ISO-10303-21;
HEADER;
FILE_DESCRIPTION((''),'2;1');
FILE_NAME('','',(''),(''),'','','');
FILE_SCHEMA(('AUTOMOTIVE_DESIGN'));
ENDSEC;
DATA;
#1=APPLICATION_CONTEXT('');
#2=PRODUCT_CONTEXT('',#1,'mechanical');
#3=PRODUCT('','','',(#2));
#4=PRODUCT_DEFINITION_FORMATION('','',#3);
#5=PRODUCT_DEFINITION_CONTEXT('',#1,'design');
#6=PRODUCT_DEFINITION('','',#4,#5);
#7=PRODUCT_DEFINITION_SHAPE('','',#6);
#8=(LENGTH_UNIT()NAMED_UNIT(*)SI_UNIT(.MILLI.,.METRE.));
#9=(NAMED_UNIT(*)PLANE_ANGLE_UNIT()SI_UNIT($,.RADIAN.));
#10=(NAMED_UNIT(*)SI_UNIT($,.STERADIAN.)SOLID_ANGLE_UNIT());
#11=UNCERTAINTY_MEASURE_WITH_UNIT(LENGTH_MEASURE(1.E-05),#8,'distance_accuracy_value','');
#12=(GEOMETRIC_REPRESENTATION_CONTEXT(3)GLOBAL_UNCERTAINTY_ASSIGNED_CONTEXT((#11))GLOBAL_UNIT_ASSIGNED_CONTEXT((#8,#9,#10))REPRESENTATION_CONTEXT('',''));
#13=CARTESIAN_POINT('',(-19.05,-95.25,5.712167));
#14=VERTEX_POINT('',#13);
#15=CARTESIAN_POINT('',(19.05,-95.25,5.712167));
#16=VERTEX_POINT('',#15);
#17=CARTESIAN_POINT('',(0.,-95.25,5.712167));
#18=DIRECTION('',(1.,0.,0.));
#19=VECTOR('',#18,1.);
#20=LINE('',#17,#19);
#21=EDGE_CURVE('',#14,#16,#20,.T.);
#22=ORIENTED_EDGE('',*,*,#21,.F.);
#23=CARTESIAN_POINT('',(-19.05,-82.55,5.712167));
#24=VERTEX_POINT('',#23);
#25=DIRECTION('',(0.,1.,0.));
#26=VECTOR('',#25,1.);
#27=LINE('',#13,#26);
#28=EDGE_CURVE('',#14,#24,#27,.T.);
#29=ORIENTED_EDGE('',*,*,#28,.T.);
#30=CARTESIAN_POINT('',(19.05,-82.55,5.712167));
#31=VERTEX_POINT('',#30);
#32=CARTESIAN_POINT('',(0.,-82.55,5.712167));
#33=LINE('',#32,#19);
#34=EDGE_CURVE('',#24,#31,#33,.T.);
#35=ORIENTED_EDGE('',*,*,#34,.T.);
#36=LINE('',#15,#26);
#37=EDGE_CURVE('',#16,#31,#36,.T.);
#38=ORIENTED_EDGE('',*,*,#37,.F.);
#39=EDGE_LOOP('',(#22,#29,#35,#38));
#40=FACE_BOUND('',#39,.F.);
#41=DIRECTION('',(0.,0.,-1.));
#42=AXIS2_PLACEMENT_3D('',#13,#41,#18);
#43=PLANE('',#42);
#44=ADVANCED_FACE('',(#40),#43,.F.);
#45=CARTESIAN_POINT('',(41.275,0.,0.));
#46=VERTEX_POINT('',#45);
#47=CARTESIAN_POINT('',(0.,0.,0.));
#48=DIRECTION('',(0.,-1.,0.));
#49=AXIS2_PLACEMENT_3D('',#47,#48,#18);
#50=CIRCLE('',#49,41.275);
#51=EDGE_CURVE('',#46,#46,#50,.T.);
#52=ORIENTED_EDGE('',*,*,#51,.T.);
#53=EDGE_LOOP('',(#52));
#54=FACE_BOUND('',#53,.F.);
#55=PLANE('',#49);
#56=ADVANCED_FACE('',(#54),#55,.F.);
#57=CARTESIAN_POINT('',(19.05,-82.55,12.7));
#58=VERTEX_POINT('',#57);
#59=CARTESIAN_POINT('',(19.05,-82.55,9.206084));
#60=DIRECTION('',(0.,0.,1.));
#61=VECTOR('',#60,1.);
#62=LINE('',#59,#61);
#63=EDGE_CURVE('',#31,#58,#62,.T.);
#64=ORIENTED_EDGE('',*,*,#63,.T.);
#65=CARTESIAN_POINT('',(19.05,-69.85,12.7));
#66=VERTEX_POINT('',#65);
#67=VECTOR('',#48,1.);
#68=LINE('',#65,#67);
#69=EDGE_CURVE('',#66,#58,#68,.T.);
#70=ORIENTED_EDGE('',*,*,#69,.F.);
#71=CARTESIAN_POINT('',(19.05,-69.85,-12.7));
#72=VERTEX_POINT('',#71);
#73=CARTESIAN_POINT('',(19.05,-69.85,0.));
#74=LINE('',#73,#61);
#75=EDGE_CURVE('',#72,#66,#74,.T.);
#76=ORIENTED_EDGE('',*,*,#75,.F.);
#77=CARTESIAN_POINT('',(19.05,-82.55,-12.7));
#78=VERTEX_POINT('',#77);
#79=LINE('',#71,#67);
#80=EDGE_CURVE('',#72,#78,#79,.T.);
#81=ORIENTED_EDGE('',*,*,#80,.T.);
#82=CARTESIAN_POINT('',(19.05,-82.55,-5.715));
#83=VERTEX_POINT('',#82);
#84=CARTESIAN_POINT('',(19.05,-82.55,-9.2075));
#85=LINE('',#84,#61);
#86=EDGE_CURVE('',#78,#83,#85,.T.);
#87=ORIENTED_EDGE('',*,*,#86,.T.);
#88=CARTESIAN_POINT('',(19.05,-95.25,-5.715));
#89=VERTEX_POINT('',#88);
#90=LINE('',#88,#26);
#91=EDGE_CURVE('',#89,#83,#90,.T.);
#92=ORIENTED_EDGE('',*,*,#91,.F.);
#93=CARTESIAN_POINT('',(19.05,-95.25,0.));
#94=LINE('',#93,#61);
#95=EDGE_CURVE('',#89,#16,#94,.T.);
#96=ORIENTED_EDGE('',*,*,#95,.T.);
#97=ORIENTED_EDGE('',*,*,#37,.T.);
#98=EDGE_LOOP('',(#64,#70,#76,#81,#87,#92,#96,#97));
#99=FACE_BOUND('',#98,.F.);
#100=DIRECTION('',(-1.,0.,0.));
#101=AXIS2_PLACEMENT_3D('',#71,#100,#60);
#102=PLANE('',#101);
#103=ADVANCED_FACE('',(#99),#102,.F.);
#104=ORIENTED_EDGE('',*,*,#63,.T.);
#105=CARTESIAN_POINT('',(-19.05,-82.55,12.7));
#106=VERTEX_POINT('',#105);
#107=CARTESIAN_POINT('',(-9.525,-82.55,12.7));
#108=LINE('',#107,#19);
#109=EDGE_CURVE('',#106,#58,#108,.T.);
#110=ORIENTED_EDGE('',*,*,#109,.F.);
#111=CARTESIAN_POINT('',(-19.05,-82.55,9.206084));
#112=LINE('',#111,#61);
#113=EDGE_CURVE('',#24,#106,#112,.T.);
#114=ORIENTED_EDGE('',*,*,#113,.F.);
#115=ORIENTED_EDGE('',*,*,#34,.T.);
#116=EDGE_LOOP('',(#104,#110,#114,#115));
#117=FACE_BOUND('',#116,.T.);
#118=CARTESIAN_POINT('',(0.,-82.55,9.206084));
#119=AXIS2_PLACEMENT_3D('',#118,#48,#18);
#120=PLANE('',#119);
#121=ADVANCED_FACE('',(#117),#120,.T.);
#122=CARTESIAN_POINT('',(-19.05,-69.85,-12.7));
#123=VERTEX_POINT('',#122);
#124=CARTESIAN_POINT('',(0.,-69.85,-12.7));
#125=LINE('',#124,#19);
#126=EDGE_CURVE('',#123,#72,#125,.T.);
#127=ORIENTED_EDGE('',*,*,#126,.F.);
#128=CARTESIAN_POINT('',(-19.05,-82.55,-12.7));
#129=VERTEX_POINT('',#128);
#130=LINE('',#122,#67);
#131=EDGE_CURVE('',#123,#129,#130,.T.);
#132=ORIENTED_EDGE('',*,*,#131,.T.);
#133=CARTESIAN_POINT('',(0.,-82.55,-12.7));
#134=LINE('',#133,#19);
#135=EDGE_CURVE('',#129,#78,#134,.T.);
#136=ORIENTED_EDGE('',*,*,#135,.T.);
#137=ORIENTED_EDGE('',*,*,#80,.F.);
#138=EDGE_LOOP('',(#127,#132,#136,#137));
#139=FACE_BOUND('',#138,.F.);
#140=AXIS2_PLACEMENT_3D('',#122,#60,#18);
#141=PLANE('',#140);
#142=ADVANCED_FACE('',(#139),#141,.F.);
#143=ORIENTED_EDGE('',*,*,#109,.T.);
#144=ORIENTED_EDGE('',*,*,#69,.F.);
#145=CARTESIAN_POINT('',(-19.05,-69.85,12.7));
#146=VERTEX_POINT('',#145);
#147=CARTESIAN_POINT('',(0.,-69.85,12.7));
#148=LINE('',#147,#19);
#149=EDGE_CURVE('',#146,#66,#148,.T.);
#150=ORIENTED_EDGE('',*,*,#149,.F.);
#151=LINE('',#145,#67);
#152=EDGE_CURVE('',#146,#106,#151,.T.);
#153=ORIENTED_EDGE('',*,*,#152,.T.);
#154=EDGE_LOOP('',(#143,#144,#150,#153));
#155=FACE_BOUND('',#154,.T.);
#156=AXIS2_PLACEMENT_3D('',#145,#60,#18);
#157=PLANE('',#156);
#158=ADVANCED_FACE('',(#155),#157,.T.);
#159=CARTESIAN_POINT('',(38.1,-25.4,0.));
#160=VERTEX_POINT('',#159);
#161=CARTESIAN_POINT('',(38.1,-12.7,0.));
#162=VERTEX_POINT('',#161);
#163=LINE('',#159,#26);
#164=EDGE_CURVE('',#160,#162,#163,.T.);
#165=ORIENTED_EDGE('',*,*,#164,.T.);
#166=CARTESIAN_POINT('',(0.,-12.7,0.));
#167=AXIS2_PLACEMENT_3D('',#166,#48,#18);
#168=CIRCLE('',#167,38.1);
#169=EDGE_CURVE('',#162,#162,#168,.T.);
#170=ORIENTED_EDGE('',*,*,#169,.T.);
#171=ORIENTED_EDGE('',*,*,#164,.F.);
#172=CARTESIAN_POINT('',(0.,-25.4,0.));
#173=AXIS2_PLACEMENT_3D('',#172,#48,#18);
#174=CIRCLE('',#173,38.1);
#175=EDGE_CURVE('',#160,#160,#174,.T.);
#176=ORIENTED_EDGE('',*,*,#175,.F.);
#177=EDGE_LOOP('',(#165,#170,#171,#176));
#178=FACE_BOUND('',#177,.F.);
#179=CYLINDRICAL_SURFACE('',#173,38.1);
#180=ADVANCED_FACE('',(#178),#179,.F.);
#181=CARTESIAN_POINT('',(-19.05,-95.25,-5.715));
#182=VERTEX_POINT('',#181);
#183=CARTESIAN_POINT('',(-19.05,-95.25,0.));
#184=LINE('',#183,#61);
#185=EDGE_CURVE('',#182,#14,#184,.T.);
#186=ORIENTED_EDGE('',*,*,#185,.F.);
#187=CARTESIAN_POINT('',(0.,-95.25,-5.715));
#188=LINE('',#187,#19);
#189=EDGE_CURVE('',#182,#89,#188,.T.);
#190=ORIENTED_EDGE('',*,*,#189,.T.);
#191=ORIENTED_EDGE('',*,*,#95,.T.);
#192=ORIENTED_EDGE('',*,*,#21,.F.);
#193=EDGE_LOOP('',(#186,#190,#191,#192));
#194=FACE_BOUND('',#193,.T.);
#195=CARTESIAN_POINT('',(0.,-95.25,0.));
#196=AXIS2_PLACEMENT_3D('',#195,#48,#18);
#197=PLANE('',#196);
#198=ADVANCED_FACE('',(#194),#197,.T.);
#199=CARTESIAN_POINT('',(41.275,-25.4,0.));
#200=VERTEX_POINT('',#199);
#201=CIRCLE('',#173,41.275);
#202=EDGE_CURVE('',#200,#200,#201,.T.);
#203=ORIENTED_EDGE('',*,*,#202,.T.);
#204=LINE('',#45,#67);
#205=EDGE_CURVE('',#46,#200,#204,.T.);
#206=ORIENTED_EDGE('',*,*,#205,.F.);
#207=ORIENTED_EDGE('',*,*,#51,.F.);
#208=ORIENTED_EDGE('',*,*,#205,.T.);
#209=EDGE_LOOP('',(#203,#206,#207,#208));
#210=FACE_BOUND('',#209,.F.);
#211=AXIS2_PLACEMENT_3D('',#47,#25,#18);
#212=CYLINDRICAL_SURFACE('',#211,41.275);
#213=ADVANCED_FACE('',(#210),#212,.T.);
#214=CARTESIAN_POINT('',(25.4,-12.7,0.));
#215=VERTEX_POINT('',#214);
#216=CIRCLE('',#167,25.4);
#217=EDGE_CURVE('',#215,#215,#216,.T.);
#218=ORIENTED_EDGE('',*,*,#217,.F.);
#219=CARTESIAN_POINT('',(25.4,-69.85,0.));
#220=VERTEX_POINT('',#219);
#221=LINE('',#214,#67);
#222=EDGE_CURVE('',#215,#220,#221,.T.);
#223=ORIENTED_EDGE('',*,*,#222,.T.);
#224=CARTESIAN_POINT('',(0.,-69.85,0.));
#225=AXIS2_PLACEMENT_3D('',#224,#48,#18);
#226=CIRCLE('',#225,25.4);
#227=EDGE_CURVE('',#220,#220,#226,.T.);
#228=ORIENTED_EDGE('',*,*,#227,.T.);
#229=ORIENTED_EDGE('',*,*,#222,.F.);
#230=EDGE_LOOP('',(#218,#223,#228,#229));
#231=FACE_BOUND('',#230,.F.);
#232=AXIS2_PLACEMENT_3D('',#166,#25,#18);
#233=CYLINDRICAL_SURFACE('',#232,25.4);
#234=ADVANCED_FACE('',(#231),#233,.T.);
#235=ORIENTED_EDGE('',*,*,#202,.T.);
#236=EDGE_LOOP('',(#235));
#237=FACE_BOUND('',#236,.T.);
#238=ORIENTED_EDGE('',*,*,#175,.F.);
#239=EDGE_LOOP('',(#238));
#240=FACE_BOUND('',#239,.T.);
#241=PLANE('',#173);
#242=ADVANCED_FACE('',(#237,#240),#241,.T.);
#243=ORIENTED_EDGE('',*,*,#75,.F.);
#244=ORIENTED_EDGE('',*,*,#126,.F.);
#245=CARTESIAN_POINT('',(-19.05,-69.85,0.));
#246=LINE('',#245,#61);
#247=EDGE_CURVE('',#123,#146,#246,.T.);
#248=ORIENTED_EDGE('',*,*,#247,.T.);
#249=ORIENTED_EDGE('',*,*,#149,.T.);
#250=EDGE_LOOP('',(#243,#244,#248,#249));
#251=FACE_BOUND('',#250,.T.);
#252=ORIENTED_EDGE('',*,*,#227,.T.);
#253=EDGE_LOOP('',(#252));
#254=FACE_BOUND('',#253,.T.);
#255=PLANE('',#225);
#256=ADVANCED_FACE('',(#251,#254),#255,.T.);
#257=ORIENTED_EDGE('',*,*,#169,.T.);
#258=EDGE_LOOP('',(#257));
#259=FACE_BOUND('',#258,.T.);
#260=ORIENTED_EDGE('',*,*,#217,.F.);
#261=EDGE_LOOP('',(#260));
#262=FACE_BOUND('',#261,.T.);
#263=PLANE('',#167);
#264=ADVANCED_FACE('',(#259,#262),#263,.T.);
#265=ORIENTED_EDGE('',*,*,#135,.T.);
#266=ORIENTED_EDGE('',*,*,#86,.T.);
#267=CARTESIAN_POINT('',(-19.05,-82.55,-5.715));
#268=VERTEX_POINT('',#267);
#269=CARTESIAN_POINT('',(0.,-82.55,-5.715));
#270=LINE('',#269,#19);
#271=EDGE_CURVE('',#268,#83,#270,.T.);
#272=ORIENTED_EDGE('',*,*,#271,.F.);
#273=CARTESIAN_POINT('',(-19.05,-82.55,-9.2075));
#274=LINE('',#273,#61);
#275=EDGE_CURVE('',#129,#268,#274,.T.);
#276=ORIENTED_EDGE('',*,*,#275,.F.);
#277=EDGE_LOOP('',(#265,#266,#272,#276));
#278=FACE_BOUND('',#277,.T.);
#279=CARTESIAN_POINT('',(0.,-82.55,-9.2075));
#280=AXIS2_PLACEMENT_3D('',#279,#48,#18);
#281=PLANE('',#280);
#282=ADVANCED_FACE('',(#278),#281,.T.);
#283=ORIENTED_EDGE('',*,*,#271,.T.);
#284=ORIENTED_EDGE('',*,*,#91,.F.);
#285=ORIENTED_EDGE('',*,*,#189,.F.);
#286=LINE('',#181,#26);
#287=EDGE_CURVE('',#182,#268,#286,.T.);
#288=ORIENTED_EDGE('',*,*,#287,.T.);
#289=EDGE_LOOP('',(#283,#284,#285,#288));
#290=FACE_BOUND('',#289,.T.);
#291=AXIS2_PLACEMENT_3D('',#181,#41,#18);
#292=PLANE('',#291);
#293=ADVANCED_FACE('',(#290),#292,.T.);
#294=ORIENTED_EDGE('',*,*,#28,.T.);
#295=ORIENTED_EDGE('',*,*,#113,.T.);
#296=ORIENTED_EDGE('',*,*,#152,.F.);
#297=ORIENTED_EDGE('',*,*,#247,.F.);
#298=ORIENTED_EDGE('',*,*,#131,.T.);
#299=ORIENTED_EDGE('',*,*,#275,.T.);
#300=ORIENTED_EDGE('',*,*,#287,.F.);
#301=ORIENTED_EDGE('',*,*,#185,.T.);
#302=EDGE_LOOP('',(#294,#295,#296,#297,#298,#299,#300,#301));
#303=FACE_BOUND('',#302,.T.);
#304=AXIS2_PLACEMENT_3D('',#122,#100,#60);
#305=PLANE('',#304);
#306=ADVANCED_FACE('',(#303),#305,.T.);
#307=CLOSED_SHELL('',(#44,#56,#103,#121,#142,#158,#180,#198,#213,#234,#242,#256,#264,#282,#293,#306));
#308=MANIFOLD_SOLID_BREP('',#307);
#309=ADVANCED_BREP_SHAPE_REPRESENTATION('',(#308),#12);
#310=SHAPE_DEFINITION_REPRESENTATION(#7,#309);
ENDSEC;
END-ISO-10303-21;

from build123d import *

# Parameters (mm, degrees)
F0_R     = 41.275
F1_DEPTH = 25.4
F2_R     = 38.1
F3_DEPTH = 12.7
F4_R     = 25.4
F5_DEPTH = 57.15
F6_W     = 38.1
F6_H     = 25.4
F7_DEPTH = 25.4
F8_W     = 38.1
F8_H     = 6.987833
F8_H_2   = 6.985
F9_DEPTH = 12.7


with BuildPart() as f1:
    # F0 (on Front) → F1 (new body)
    with BuildSketch(Plane.XZ):
        Circle(F0_R)
    extrude(amount=F1_DEPTH)

    # F2 (on face) → F3 (cut)
    with BuildSketch(Plane.XZ.offset(25.4)):
        Circle(F2_R)
    extrude(amount=-F3_DEPTH, mode=Mode.SUBTRACT)

    # F4 (on face) → F5 (join)
    with BuildSketch(Plane.XZ.offset(12.7)):
        Circle(F4_R)
    extrude(amount=F5_DEPTH)

    # F6 (on face) → F7 (join)
    with BuildSketch(Plane.XZ.offset(69.85)):
        Rectangle(F6_W, F6_H)
    extrude(amount=F7_DEPTH)

    # F8 (on face) → F9 (cut)
    with BuildSketch(Plane.XZ.offset(95.25)):
        with Locations((0, 9.206084)):
            Rectangle(F8_W, F8_H)
        with Locations((0, -9.2075)):
            Rectangle(F8_W, F8_H_2)
    extrude(amount=-F9_DEPTH, mode=Mode.SUBTRACT)


solid = f1.part
